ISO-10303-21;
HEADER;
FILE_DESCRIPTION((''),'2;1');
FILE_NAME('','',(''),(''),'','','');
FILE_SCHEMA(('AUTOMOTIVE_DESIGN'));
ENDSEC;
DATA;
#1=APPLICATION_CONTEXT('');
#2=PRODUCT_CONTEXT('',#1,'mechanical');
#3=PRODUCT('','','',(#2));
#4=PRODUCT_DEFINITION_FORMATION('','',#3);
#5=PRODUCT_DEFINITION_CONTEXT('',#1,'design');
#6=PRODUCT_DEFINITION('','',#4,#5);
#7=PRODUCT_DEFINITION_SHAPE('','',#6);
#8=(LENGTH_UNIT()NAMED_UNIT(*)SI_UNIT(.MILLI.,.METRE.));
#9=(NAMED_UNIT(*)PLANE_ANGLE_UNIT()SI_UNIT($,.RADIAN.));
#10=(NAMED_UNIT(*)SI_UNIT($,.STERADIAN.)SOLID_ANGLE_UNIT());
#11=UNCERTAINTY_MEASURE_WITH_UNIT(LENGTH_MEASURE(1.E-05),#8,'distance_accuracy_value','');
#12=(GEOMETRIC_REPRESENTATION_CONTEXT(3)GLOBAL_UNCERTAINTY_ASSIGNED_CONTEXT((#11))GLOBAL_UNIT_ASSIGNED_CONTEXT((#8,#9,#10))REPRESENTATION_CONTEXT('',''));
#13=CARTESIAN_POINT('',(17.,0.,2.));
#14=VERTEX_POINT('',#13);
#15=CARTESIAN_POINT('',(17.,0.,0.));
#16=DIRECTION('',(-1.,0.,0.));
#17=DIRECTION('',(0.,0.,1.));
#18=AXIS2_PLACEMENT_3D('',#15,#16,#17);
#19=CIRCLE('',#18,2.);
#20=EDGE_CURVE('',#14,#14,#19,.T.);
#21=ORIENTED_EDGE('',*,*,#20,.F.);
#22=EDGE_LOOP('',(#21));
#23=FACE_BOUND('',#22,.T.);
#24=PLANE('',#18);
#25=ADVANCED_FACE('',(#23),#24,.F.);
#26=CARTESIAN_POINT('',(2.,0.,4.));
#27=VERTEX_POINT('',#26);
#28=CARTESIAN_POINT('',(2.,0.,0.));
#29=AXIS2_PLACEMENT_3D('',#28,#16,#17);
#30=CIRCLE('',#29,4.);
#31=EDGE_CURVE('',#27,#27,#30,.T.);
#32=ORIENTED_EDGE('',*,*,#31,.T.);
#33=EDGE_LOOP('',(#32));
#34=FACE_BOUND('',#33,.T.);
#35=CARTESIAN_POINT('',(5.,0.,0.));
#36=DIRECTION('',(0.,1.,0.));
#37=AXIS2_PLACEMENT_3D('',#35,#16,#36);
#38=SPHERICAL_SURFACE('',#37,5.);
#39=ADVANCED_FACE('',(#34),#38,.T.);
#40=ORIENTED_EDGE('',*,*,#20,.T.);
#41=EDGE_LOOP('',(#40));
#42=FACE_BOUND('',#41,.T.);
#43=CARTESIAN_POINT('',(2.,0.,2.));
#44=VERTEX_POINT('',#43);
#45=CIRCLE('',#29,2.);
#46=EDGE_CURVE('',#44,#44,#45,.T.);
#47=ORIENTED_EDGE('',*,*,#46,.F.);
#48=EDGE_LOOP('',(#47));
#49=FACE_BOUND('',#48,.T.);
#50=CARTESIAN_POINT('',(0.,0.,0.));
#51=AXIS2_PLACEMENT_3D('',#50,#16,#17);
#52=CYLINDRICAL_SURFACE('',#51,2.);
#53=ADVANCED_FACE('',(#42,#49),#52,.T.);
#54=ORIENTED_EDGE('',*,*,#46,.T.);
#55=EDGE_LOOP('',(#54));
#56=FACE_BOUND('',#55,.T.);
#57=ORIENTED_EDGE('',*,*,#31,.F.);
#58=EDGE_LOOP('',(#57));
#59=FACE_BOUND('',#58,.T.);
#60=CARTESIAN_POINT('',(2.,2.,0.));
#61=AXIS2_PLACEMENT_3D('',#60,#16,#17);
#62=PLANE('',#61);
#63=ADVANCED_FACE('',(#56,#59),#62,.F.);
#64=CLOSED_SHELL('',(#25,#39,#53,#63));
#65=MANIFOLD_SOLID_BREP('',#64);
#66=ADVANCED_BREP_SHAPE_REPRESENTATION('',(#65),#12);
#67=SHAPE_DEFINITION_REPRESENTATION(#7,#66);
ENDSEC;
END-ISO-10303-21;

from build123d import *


with BuildPart() as part:
    # Sketch1 → Revolve1 (revolve)
    with BuildSketch(Plane.XY):
        with BuildLine():
            Line((0, 0), (17, 0))
            Line((17, 0), (17, 2))
            Line((17, 2), (2, 2))
            Line((2, 2), (2, 4))
            ThreePointArc((2, 4), (0.527864045, 2.236067977), (0, 0))
        make_face()
    revolve(axis=Axis((0, 0, 0), (1, 0, 0)))


solid = part.part
